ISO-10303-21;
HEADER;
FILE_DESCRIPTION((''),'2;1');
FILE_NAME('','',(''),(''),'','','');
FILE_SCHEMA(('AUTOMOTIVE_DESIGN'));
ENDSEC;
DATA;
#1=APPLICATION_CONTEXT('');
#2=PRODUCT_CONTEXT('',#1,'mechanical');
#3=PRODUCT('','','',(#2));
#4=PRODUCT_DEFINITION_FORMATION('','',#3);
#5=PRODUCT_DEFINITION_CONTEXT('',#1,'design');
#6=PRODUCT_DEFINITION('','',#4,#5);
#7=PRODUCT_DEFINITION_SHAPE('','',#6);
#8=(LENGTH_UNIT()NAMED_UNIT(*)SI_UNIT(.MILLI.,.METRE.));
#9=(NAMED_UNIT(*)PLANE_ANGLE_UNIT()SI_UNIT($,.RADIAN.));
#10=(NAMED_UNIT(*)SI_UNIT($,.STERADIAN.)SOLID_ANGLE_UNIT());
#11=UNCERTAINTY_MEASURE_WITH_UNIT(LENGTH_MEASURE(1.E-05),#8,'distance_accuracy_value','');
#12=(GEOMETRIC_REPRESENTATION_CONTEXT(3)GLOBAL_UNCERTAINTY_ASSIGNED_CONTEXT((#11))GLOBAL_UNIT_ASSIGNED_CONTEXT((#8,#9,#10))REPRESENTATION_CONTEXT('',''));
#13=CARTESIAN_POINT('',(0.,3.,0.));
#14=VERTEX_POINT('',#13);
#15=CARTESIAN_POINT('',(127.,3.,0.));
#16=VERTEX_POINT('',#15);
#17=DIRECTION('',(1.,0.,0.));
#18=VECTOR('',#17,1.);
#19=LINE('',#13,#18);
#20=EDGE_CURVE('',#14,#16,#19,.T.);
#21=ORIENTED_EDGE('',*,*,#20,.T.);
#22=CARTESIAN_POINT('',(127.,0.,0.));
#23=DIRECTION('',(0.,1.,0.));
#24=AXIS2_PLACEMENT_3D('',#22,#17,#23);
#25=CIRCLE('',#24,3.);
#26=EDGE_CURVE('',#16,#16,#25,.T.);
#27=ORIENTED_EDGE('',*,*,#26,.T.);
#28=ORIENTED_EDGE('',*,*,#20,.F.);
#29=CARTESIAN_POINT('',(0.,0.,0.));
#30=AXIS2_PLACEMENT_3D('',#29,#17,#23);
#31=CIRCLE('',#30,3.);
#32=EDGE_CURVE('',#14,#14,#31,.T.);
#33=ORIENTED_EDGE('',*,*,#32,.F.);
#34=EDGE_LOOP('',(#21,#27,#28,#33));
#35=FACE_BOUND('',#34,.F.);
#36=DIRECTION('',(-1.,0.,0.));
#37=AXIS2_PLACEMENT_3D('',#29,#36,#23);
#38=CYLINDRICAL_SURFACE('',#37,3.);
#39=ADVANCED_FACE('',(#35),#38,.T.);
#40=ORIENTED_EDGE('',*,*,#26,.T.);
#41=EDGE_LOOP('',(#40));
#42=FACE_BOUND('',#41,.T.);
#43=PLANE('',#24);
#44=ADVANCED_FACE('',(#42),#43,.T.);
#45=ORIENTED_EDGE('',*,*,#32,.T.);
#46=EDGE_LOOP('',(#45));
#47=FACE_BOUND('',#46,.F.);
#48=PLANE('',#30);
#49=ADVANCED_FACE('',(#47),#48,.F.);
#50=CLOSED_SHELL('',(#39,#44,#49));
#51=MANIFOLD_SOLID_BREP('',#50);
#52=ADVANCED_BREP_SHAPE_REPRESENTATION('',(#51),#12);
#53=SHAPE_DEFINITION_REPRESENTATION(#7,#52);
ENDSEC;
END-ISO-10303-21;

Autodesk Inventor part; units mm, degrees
ref_plane "YZ Plane" through (0, 0, 0) normal (1, 0, 0) x (0, 1, 0)
ref_plane "XZ Plane" through (0, 0, 0) normal (0, 1, 0) x (-1, 0, 0)
ref_plane "XY Plane" through (0, 0, 0) normal (0, 0, 1) x (1, 0, 0)
sketch "Эскиз1" plane through (0, 0, 0) normal (1, 0, 0) x (0, 1, 0)
  circle A0 centre (0, 0) radius 3
  dimension "d0" = 6
extrude "Выдавливание1" add sketch "Эскиз1" along normal blind 127
properties part number "вал сортировка"
